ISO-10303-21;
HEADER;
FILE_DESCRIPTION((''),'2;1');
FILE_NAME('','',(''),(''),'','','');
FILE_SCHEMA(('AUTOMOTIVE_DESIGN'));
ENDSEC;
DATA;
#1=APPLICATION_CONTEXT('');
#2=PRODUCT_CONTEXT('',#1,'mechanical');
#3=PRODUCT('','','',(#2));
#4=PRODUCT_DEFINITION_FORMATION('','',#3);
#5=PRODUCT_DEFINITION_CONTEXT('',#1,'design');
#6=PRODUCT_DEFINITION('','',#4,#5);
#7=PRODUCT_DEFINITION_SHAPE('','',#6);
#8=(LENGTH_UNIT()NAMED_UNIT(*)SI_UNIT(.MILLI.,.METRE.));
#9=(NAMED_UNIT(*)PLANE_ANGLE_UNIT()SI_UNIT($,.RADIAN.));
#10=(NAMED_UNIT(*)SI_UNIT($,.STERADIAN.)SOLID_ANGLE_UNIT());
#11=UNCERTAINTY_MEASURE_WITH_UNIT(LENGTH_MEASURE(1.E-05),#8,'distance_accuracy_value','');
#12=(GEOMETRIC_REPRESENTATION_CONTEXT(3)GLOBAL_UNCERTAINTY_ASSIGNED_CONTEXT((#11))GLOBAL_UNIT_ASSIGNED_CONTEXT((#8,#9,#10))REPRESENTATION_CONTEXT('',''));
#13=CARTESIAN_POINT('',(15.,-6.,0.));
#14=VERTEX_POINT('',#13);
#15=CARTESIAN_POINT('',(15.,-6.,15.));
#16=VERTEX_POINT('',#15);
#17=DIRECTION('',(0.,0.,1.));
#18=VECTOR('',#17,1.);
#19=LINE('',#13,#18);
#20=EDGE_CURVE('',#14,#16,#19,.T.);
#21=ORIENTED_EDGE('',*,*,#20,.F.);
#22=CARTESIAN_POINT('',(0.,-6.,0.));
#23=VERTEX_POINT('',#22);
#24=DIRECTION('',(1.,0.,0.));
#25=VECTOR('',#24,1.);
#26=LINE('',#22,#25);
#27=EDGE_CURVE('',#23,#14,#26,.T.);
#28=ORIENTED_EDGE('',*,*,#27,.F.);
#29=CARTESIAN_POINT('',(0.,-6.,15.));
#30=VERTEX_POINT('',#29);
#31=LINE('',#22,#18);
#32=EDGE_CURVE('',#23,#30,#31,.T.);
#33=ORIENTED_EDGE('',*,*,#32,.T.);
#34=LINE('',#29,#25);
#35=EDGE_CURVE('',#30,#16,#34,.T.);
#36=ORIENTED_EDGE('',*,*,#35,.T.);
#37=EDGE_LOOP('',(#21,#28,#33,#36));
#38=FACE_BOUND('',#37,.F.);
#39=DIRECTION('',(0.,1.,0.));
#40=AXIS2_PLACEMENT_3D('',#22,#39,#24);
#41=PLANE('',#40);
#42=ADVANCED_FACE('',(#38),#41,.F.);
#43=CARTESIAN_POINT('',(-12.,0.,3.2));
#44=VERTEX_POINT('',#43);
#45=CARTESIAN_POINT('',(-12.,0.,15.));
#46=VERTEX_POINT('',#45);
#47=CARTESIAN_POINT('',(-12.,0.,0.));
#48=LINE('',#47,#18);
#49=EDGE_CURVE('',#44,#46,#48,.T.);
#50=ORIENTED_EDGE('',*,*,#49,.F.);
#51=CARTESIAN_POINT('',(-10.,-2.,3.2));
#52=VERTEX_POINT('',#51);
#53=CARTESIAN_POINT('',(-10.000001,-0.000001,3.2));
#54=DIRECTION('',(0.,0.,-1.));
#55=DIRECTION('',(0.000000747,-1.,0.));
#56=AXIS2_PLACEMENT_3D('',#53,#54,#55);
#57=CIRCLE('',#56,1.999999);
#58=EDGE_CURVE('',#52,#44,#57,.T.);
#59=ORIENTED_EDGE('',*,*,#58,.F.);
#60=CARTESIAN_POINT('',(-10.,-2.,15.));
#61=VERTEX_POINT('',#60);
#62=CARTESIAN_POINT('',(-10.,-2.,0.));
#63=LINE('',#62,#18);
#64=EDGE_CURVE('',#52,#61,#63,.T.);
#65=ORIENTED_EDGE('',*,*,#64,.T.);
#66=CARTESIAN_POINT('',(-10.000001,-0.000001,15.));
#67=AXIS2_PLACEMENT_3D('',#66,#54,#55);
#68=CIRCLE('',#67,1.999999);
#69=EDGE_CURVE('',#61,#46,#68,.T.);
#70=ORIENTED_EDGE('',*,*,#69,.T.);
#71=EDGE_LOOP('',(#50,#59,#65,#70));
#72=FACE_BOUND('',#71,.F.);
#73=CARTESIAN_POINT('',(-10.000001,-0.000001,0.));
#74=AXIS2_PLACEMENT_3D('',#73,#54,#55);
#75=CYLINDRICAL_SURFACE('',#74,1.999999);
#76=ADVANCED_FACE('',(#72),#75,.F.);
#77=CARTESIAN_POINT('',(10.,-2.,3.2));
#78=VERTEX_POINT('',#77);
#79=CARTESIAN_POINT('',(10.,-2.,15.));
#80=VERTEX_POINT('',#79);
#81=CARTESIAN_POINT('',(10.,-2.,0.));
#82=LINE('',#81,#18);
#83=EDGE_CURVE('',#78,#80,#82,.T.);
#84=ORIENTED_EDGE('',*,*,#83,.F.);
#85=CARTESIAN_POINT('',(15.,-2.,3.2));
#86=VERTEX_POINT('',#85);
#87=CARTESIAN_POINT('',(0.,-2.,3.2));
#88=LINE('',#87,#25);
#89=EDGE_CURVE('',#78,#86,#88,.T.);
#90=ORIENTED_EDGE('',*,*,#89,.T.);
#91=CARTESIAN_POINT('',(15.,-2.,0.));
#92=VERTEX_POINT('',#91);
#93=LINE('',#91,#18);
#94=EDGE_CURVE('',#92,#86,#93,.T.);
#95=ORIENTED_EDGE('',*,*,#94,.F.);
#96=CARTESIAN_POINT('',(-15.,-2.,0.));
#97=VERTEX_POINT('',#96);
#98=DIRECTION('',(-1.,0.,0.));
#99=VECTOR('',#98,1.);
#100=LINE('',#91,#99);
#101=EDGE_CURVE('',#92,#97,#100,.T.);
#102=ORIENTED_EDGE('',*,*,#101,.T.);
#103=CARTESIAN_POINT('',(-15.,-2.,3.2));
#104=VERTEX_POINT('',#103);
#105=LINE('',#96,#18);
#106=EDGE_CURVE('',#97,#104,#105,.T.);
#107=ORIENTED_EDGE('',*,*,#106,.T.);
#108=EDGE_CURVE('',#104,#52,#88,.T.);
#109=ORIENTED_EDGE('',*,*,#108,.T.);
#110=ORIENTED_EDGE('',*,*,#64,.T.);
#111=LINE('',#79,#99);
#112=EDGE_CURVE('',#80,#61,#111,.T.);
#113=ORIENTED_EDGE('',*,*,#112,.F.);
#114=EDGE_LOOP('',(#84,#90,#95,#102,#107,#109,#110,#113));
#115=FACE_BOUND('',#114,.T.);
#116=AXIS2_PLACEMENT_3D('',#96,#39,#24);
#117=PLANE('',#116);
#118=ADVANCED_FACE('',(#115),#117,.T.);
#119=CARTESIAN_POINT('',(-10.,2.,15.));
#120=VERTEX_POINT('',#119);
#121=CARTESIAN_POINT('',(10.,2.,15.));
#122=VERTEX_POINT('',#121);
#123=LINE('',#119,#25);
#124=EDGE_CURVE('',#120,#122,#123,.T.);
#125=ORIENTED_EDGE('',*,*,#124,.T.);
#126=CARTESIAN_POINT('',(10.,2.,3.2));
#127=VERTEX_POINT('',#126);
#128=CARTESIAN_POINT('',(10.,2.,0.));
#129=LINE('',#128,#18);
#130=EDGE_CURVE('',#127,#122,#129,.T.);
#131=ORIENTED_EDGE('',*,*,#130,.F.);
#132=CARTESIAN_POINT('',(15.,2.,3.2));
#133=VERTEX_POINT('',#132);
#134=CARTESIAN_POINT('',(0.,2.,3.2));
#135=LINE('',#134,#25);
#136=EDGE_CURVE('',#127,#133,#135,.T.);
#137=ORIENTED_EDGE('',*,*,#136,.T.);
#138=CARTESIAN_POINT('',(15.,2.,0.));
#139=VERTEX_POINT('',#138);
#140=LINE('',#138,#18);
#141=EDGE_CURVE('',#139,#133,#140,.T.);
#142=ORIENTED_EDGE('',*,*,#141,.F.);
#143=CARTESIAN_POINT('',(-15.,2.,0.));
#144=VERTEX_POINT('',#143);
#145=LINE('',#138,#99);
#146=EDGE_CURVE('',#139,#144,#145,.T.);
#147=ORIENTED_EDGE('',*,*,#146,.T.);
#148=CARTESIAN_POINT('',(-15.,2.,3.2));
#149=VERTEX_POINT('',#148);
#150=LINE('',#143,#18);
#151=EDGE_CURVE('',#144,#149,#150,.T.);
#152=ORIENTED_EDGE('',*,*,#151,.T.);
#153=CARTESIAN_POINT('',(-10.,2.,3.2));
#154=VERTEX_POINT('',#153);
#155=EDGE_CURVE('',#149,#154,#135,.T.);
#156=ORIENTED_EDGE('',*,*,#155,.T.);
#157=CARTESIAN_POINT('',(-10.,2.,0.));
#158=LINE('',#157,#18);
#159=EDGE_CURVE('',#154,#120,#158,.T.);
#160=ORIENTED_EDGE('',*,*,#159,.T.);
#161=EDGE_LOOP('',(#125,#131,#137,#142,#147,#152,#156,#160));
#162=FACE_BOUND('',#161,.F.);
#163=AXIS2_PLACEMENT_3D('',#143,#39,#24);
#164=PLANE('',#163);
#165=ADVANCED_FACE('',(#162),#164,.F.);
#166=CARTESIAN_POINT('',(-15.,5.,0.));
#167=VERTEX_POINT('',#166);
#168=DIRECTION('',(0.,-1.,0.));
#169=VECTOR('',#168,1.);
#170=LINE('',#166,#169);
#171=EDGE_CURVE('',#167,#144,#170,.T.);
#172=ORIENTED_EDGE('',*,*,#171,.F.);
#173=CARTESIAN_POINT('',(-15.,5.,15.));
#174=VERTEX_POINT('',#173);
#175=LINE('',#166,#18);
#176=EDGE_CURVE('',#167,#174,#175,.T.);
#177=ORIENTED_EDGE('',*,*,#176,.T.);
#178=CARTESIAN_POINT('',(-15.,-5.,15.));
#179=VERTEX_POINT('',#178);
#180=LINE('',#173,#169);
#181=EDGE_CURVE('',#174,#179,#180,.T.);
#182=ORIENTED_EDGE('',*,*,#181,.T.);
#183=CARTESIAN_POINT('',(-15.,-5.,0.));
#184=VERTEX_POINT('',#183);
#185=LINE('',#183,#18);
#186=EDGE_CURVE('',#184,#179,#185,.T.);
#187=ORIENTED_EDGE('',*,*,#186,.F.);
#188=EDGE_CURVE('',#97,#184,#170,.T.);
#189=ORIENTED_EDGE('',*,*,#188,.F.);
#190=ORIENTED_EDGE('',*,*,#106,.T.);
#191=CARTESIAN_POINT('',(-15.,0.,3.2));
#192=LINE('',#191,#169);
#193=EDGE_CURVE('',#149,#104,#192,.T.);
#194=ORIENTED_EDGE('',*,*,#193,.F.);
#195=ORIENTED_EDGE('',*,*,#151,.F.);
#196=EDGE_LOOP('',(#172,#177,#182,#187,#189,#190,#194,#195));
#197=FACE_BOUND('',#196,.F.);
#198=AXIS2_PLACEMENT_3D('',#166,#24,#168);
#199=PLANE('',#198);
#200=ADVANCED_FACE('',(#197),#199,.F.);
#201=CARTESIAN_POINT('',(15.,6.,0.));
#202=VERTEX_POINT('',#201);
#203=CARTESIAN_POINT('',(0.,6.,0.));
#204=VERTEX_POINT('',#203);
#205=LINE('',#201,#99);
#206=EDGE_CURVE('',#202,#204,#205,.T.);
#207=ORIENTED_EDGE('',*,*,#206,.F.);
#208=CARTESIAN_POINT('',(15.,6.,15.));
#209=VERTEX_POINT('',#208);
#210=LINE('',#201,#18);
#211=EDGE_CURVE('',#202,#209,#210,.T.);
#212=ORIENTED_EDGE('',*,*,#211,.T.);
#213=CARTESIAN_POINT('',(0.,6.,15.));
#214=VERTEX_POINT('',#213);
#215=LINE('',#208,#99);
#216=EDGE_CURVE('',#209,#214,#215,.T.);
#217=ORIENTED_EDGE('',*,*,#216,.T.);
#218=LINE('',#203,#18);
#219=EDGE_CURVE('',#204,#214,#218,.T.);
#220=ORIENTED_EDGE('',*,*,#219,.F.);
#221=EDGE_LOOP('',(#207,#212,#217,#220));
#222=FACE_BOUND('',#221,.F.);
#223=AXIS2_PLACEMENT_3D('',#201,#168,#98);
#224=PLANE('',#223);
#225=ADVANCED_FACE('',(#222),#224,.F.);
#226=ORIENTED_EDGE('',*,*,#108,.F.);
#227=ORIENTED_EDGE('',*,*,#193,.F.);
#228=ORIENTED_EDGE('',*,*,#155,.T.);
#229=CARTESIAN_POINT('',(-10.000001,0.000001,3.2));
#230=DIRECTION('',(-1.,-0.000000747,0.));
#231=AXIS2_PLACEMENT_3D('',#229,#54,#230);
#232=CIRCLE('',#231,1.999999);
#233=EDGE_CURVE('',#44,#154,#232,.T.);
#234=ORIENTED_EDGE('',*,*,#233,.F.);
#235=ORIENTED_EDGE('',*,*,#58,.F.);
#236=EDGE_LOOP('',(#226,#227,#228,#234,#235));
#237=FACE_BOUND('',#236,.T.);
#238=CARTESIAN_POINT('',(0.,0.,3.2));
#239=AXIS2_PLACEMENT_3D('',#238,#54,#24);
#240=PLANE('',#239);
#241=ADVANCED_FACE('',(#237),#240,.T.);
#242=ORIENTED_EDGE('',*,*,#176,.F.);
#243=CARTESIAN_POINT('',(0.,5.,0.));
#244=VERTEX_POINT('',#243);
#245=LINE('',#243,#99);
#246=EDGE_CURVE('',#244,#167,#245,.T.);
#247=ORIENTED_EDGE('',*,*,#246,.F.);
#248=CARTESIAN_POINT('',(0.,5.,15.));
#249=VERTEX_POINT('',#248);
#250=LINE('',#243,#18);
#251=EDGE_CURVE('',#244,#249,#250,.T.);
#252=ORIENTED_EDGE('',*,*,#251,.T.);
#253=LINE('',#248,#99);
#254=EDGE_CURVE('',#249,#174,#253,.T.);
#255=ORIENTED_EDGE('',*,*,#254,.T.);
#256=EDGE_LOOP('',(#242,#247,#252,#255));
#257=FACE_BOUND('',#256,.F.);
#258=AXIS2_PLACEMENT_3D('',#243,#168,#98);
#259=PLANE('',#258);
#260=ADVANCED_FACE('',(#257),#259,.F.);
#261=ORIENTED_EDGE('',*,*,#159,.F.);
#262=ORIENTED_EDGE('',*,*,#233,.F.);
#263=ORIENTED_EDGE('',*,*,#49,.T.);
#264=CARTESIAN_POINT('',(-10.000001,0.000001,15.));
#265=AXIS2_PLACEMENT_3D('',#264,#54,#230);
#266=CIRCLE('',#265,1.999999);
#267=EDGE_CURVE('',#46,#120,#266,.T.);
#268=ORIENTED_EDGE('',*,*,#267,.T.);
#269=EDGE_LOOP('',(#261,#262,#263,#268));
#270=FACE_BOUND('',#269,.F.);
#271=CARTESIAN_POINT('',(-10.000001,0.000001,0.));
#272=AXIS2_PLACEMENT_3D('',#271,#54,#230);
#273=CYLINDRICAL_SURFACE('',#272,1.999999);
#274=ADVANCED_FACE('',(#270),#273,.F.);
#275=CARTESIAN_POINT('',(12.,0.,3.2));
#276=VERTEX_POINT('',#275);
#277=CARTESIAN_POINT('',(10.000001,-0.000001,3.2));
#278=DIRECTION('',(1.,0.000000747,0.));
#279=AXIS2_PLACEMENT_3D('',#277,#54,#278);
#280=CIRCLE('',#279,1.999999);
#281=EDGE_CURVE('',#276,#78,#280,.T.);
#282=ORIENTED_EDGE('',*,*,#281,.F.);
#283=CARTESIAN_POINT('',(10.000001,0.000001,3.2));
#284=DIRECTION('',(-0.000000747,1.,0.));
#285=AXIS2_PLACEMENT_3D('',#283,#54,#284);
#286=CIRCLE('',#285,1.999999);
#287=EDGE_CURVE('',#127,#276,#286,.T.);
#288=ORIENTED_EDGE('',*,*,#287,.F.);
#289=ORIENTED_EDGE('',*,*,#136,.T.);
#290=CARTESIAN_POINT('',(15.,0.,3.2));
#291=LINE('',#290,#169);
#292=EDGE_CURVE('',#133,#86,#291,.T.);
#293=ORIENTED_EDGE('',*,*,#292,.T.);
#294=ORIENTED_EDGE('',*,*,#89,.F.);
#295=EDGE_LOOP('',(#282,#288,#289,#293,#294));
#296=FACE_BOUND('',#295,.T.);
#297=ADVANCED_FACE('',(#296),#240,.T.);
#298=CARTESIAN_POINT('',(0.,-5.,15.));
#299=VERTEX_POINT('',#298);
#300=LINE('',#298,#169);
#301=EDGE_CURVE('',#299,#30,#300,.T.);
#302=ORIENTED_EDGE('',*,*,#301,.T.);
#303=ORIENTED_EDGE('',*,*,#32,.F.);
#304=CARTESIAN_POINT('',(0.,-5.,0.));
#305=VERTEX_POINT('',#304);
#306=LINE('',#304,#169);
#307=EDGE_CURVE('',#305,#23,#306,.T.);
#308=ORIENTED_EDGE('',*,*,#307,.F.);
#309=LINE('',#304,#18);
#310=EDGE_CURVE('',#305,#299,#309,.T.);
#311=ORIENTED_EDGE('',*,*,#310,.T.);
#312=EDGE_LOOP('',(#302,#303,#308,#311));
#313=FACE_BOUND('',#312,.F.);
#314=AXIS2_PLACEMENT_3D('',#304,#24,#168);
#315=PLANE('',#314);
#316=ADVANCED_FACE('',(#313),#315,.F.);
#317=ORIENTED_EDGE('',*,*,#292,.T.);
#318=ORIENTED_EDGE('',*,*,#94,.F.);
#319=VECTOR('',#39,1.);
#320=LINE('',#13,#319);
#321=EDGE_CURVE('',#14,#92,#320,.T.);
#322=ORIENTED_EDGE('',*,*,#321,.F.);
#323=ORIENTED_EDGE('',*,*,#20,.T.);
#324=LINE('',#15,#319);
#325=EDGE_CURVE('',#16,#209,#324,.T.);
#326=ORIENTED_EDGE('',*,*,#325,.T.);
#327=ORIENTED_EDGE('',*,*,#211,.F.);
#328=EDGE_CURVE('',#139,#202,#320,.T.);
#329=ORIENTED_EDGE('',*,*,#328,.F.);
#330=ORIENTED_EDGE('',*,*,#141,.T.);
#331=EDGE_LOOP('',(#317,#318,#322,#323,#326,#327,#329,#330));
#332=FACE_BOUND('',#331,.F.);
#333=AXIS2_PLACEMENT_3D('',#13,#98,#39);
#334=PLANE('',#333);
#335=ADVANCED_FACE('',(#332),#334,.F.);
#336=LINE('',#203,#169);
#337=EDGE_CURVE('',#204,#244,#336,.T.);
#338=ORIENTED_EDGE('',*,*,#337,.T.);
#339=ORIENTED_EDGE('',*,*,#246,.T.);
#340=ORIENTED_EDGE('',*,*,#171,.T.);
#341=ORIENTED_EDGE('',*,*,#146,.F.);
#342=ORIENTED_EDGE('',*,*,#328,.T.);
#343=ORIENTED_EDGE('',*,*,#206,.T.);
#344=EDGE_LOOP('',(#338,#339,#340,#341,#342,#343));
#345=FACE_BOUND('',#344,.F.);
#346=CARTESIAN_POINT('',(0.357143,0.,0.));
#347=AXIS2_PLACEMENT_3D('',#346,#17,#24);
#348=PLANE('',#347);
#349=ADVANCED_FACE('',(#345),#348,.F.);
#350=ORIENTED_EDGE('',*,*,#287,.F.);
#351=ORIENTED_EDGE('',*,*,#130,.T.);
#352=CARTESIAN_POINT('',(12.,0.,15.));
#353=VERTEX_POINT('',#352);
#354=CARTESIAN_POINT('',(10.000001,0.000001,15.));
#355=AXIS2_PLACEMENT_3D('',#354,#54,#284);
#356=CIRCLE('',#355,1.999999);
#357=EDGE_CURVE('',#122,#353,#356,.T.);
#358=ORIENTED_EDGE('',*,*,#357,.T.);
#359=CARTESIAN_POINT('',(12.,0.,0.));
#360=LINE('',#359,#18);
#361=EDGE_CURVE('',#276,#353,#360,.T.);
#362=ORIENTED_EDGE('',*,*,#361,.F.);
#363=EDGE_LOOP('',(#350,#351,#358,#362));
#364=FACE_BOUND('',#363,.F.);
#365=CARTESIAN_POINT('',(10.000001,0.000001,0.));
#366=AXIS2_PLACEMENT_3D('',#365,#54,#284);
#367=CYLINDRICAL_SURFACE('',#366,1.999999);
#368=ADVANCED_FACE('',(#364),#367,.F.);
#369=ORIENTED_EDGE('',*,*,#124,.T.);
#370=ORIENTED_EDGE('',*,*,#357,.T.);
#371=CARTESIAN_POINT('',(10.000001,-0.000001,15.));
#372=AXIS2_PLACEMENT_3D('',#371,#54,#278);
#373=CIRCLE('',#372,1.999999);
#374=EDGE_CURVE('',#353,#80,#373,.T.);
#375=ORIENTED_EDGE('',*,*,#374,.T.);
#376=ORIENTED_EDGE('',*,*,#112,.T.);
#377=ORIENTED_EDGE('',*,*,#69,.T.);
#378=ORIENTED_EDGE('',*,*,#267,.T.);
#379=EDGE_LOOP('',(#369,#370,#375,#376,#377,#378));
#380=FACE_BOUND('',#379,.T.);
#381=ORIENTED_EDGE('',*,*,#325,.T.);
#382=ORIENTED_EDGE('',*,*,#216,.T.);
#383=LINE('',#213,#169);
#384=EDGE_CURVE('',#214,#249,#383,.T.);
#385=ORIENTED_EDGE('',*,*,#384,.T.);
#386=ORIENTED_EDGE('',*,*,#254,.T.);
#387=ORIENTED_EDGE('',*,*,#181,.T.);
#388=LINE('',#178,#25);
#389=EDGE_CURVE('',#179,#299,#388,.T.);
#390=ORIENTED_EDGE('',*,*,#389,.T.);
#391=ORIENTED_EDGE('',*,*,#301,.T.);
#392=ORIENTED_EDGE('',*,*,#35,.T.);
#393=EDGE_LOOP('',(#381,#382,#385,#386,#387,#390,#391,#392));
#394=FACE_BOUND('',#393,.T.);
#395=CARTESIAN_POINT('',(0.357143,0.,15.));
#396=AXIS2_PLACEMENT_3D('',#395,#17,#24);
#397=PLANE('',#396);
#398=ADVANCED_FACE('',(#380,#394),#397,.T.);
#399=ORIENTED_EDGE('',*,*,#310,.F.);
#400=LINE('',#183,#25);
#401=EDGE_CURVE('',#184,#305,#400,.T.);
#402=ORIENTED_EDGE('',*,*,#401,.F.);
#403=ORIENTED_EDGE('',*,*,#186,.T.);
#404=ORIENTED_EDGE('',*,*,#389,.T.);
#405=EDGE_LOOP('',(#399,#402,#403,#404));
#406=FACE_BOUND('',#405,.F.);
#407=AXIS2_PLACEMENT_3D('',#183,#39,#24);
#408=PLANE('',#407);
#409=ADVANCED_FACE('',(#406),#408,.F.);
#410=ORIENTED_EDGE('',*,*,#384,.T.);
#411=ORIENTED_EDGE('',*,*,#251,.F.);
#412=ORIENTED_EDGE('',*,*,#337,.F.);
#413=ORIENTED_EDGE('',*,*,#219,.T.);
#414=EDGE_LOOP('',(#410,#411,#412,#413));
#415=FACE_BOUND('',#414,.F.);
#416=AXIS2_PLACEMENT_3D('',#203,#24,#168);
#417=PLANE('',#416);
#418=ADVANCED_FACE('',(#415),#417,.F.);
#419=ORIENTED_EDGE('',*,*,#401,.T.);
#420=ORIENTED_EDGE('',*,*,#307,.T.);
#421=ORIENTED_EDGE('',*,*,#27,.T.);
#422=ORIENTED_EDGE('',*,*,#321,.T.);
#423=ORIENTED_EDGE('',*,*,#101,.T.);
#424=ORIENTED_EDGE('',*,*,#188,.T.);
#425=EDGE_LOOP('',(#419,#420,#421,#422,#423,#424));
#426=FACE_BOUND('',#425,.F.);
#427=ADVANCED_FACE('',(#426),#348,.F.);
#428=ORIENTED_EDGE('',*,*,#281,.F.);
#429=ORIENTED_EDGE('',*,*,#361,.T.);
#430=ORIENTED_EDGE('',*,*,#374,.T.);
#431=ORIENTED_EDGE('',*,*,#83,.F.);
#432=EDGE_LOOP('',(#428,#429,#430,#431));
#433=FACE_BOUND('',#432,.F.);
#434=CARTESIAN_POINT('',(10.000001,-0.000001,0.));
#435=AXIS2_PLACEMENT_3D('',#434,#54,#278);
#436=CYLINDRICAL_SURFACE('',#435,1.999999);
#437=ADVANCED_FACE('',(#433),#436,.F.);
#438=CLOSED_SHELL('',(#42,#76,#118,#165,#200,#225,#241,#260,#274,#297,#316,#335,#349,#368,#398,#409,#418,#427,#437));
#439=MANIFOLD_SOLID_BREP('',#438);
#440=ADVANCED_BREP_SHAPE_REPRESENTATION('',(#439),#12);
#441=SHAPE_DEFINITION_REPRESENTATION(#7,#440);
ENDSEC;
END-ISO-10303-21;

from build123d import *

# Parameters (mm, degrees)
F1_DEPTH = 15
F2_W     = 30
F2_H     = 4
F3_DEPTH = 3.2


with BuildPart() as f1:
    # F0 (on Top) → F1 (new body)
    with BuildSketch(Plane.XY):
        Polygon((0, 5), (-15, 5), (-15, -5), (0, -5), (0, -6), (15, -6), (15, 6), (0, 6), align=None)
        with BuildLine():
            ThreePointArc((-12, 0), (-11.414214, 1.414214), (-10, 2))
            Line((-10, 2), (10, 2))
            ThreePointArc((10, 2), (11.414214, 1.414214), (12, 0))
            ThreePointArc((12, 0), (11.414214, -1.414214), (10, -2))
            Line((10, -2), (-10, -2))
            ThreePointArc((-10, -2), (-11.414214, -1.414214), (-12, 0))
        make_face(mode=Mode.SUBTRACT)
    extrude(amount=F1_DEPTH)

    # F2 (on face) → F3 (cut)
    with BuildSketch(Plane(origin=(0, 0, 0), x_dir=(1, 0, 0), z_dir=(0, 0, -1))):
        Rectangle(F2_W, F2_H)
    extrude(amount=-F3_DEPTH, mode=Mode.SUBTRACT)


solid = f1.part
